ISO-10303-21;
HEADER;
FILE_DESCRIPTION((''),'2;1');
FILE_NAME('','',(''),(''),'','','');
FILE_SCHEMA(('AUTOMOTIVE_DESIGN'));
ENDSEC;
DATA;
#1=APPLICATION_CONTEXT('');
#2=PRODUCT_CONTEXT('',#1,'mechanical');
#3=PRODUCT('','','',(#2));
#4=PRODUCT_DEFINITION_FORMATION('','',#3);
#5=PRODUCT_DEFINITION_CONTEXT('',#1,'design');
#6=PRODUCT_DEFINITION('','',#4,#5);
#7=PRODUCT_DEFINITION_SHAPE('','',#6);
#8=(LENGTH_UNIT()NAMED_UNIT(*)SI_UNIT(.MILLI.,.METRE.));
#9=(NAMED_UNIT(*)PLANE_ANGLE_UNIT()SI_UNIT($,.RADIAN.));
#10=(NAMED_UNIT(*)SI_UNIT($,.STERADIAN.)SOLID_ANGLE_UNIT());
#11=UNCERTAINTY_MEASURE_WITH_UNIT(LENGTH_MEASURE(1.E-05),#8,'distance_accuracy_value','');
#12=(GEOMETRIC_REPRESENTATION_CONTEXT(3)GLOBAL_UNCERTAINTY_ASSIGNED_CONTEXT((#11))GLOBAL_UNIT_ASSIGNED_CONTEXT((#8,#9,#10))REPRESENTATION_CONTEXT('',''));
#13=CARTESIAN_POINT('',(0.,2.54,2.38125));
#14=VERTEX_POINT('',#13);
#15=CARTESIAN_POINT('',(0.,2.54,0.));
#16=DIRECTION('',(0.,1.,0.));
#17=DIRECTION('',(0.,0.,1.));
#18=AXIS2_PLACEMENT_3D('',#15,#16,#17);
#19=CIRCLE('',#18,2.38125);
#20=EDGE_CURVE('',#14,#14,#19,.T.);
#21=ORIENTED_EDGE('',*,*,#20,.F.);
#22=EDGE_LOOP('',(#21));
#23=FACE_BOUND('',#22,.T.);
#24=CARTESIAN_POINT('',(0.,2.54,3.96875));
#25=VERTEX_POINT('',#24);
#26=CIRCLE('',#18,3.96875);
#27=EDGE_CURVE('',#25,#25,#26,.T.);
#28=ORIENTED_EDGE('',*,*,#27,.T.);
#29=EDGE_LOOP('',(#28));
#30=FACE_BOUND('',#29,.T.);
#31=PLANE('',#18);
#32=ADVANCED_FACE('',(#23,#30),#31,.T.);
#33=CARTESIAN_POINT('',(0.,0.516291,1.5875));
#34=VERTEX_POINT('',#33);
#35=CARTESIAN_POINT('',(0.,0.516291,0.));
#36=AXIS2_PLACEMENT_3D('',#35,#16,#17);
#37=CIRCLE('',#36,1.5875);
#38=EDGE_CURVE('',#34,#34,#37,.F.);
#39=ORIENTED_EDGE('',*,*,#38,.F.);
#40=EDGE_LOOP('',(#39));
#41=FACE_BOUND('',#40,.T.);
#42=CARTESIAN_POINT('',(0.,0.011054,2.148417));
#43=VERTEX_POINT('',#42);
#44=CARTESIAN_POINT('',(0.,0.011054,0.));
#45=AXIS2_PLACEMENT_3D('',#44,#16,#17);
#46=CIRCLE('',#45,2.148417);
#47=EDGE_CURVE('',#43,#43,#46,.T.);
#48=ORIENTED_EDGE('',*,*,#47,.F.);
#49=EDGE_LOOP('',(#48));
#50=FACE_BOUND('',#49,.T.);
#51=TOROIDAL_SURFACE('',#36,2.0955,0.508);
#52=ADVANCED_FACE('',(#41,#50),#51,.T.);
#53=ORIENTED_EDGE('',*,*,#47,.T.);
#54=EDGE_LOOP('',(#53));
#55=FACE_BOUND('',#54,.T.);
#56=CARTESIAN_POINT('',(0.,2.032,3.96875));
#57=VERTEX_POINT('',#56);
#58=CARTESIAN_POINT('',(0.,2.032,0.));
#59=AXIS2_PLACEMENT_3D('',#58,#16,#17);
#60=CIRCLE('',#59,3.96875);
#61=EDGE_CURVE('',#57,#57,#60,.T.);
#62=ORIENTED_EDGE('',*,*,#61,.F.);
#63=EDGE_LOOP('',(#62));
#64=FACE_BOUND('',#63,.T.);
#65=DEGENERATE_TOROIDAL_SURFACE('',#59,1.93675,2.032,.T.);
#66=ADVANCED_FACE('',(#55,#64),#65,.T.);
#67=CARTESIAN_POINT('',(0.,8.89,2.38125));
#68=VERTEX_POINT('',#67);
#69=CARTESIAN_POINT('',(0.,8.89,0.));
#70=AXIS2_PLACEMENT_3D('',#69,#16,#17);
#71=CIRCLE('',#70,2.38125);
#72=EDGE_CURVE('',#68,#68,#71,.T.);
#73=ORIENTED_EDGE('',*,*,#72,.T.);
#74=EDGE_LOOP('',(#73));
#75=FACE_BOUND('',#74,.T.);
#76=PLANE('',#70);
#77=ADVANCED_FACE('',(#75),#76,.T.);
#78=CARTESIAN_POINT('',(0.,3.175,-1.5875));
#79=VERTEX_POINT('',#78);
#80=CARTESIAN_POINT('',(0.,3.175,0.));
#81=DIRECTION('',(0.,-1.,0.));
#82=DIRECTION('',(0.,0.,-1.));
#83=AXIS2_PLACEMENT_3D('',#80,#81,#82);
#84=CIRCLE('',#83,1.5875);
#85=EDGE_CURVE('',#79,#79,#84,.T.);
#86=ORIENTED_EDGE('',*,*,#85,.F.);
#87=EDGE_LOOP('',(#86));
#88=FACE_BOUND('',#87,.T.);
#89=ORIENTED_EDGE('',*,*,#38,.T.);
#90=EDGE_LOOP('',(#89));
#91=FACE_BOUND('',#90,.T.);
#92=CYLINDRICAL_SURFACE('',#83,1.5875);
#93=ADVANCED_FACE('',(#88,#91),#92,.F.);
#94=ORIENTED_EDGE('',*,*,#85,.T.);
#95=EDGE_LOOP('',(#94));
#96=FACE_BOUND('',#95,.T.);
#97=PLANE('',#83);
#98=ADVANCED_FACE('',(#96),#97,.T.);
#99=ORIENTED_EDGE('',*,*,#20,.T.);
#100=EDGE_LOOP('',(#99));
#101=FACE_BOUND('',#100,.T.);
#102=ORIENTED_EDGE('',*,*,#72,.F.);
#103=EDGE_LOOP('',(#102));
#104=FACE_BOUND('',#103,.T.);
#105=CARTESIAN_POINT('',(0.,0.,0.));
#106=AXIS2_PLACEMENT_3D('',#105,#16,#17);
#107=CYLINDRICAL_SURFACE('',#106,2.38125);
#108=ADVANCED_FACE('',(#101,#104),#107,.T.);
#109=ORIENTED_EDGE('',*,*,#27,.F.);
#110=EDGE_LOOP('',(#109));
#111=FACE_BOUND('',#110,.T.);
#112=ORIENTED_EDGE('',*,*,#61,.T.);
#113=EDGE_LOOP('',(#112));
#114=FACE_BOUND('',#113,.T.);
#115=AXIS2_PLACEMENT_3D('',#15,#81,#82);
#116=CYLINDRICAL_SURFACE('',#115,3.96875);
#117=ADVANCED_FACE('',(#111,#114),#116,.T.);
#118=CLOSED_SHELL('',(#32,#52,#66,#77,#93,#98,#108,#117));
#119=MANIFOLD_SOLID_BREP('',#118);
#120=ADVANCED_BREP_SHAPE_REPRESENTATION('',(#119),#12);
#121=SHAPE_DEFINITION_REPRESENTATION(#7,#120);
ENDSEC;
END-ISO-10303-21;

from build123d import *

# Parameters (mm, degrees)
SKETCH1_R                = 3.96875
SKETCH1_R_2              = 2.38125
BOSS_EXTRUDE2_DEPTH      = 2.54
BOSS_EXTRUDE3_DEPTH      = 6.35
BOSS_EXTRUDE3_DEPTH_BACK = 2.54
SKETCH2_R                = 2.38125
SKETCH3_R                = 1.5875
CUT_EXTRUDE1_DEPTH       = 3.175
FILLET1_R                = 2.032
FILLET2_R                = 0.508


with BuildPart() as part:
    # Sketch1 → Boss-Extrude2 (new body)
    with BuildSketch(Plane(origin=(0, 0, 0), x_dir=(1, 0, 0), z_dir=(0, 1, 0))):
        with Locations(Location((0, 0, 0), (0, 0, 270))):
            Circle(SKETCH1_R)
        with Locations(Location((0, 0, 0), (0, 0, 270))):
            Circle(SKETCH1_R_2, mode=Mode.SUBTRACT)
    extrude(amount=BOSS_EXTRUDE2_DEPTH)

    # Sketch2 → Boss-Extrude3 (add, two sides: drawn at the far end of the back side and taken through both)
    with BuildSketch(Plane(origin=(0, 2.54, 0), x_dir=(1, 0, 0), z_dir=(0, 1, 0)).offset(-BOSS_EXTRUDE3_DEPTH_BACK)):
        with Locations(Location((0, 0, 0), (0, 0, 270))):
            Circle(SKETCH2_R)
    extrude(amount=BOSS_EXTRUDE3_DEPTH + BOSS_EXTRUDE3_DEPTH_BACK)

    # Sketch3 → Cut-Extrude1 (cut)
    with BuildSketch(Plane(origin=(0, 0, 0), x_dir=(-1, 0, 0), z_dir=(0, -1, 0))):
        with Locations(Location((0, 0, 0), (0, 0, 90))):
            Circle(SKETCH3_R)
    extrude(amount=-CUT_EXTRUDE1_DEPTH, mode=Mode.SUBTRACT)

    # Fillet1
    fillet1_edges = [part.edges().sort_by_distance(p)[0] for p in [
        (0, 0, -3.96875),
    ]]
    fillet(fillet1_edges, radius=FILLET1_R)

    # Fillet2
    fillet2_edges = [part.edges().sort_by_distance(p)[0] for p in [
        (0, 0, 1.5875),
    ]]
    fillet(fillet2_edges, radius=FILLET2_R)


solid = part.part
